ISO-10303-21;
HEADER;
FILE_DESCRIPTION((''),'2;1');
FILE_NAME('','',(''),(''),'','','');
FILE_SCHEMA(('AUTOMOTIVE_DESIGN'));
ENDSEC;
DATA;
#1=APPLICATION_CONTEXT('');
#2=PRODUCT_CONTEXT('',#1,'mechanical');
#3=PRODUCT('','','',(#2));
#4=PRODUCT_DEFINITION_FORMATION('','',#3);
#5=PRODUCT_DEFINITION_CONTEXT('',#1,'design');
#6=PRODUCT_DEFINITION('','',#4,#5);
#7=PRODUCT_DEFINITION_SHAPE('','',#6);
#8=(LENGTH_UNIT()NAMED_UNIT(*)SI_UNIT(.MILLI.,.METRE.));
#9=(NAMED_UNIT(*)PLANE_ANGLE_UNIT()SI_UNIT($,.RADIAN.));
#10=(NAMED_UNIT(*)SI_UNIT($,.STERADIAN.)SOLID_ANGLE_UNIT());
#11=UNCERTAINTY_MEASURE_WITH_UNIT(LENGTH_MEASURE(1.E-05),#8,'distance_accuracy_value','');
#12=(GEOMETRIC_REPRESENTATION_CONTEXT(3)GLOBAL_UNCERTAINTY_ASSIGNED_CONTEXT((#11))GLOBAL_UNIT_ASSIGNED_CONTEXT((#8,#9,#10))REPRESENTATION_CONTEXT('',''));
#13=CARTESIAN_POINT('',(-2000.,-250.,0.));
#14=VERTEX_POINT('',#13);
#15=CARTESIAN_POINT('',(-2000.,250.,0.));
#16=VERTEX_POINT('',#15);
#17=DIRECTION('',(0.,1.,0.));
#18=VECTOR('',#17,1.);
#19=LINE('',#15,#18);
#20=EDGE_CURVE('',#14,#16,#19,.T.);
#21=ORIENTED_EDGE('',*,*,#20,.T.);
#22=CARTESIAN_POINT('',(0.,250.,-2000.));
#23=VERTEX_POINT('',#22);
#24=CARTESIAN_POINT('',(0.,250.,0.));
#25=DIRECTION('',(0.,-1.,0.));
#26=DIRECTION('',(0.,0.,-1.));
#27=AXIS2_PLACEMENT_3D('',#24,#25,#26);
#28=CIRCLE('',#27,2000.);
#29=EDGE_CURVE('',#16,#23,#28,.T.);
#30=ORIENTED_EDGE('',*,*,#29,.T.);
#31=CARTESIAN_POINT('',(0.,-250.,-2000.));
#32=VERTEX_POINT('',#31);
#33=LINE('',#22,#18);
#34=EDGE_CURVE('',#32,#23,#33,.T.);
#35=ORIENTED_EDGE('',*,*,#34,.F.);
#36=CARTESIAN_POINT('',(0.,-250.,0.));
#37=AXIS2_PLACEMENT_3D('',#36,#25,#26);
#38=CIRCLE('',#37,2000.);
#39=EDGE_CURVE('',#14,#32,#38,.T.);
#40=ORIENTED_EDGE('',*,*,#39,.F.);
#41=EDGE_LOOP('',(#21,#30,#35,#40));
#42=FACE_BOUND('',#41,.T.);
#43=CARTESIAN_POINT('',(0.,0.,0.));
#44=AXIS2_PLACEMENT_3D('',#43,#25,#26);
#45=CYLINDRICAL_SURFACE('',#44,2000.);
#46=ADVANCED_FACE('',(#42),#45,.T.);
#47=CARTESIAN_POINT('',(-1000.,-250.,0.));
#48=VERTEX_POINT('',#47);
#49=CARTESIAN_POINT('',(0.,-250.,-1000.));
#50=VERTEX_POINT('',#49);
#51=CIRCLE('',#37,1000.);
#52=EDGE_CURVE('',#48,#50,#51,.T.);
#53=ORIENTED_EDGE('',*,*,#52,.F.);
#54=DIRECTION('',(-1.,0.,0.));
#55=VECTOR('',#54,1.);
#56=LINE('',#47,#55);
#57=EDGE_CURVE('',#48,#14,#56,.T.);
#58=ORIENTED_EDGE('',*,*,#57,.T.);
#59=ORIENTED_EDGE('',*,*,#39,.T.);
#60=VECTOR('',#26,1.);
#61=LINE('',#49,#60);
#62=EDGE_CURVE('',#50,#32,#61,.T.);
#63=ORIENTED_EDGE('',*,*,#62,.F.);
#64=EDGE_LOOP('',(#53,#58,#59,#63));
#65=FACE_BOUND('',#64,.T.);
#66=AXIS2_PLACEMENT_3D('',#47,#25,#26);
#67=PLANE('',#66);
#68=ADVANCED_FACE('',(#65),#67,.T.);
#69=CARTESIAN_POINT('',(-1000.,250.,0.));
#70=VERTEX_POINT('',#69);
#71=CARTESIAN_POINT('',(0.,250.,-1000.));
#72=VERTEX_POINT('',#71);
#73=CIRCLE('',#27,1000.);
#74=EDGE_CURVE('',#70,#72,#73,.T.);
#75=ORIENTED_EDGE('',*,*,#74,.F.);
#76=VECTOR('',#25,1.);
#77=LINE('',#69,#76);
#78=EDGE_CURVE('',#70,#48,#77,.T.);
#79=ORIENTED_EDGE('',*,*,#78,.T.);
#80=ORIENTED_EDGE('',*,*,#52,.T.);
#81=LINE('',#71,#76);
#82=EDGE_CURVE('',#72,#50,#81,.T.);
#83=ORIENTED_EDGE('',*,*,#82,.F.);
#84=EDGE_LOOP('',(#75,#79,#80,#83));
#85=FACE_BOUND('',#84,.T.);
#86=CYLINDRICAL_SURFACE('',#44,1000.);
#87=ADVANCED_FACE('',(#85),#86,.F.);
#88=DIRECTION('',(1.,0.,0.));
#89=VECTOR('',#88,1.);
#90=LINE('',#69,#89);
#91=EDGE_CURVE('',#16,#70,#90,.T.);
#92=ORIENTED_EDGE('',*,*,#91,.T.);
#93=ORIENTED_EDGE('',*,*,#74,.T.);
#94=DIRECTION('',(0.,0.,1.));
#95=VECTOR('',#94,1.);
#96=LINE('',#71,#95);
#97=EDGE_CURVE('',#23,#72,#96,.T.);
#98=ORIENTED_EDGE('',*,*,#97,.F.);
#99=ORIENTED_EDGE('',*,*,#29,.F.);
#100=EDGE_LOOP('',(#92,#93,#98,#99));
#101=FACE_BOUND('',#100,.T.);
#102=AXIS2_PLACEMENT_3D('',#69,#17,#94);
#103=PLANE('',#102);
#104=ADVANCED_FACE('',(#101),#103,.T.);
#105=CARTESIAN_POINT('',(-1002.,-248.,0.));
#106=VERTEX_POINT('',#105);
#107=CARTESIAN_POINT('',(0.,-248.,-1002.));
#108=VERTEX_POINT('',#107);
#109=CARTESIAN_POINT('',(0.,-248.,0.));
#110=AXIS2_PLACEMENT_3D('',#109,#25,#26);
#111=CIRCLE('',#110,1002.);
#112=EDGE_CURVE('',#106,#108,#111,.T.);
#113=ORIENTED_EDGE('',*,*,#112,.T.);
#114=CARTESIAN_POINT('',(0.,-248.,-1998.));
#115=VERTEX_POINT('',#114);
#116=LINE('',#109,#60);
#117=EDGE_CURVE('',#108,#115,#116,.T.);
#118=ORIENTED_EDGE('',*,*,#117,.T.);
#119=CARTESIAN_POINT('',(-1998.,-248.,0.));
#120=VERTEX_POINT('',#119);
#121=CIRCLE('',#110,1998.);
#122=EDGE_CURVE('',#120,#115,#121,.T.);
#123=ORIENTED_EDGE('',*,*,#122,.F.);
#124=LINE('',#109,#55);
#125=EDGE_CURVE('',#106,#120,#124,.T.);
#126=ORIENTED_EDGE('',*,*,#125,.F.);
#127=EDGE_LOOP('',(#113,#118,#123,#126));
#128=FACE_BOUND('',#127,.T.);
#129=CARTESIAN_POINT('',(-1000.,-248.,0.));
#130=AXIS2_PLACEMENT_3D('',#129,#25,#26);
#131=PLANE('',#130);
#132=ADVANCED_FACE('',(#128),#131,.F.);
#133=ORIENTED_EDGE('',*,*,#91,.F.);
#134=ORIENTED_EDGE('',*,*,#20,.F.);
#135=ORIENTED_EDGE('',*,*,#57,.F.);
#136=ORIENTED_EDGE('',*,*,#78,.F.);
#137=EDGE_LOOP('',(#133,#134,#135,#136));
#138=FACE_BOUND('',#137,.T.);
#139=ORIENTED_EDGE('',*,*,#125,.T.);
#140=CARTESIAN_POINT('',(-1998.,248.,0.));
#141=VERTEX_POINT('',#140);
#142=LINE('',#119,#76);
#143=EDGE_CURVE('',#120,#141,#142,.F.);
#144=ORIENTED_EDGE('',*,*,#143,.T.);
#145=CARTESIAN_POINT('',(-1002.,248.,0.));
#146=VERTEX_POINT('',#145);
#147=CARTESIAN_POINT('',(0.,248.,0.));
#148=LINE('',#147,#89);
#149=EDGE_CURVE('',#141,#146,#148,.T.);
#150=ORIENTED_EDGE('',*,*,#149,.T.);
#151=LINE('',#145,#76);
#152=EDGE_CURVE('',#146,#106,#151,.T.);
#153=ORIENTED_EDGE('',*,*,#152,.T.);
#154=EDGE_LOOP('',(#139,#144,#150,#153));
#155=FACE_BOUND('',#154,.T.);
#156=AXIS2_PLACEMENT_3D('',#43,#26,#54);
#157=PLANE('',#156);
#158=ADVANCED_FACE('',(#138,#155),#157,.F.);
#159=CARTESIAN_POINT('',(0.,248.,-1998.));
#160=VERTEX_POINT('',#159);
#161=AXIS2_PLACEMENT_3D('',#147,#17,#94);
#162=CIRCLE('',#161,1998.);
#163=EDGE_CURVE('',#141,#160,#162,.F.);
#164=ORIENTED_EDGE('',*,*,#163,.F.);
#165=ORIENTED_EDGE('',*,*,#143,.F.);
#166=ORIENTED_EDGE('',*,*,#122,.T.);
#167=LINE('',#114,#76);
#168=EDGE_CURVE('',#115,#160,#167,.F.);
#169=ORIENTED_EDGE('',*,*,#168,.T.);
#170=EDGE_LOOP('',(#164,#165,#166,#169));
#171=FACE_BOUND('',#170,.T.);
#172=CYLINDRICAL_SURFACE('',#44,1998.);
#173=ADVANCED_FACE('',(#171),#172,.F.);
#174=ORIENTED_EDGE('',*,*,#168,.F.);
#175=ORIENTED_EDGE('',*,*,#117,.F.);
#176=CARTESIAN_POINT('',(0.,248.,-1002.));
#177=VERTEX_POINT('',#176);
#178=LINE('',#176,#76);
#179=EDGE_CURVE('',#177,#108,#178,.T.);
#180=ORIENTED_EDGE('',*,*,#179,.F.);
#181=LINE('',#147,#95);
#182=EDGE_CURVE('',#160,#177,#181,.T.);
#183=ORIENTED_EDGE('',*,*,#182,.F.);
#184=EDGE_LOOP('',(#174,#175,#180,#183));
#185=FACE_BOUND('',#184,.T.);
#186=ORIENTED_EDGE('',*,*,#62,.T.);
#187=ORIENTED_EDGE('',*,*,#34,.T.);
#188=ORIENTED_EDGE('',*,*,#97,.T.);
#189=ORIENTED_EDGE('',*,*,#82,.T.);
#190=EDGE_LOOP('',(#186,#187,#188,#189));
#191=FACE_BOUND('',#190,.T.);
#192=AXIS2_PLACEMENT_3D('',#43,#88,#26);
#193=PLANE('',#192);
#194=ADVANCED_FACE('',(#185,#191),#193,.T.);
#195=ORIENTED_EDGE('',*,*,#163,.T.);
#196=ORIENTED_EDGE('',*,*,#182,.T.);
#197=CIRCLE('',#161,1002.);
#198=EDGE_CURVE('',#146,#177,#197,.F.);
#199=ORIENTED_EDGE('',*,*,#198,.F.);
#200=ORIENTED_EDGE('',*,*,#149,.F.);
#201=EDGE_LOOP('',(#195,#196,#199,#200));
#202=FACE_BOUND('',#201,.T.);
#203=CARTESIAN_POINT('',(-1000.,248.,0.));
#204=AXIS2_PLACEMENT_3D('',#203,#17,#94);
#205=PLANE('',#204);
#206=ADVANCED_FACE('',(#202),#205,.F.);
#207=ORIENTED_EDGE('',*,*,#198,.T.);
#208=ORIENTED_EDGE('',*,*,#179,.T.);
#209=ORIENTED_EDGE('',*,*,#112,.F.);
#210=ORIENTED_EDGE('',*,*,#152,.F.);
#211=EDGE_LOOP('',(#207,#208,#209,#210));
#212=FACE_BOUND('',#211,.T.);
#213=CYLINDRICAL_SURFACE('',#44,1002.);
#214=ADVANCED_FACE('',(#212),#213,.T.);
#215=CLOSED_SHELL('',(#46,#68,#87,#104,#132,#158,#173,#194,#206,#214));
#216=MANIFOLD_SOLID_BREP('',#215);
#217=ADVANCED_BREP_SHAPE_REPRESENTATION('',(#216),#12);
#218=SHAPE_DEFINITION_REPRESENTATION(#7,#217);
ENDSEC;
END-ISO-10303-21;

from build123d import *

# Parameters (mm, degrees)
SKETCH1_W   = 1000
SKETCH1_H   = 500
SKETCH1_W_2 = 996
SKETCH1_H_2 = 496


with BuildPart() as part:
    # Sweep-Thin1: sweep along a path in ElbowArc
    with BuildLine(Plane(origin=(0, 0, 0), x_dir=(1, 0, 0), z_dir=(0, 1, 0))) as sweep_thin1_path:
        ThreePointArc((0, 1500), (-1060.66017178, 1060.66017178), (-1500, 0))
    # Sketch1 → Sweep-Thin1 (sweep)
    with BuildSketch(Plane(origin=(0, 0, 0), x_dir=(0, 0, -1), z_dir=(1, 0, 0))):
        with Locations((1500, 0)):
            Rectangle(SKETCH1_W, SKETCH1_H)
        with Locations((1500, 0)):
            Rectangle(SKETCH1_W_2, SKETCH1_H_2, mode=Mode.SUBTRACT)
    sweep(path=sweep_thin1_path.line)


solid = part.part
